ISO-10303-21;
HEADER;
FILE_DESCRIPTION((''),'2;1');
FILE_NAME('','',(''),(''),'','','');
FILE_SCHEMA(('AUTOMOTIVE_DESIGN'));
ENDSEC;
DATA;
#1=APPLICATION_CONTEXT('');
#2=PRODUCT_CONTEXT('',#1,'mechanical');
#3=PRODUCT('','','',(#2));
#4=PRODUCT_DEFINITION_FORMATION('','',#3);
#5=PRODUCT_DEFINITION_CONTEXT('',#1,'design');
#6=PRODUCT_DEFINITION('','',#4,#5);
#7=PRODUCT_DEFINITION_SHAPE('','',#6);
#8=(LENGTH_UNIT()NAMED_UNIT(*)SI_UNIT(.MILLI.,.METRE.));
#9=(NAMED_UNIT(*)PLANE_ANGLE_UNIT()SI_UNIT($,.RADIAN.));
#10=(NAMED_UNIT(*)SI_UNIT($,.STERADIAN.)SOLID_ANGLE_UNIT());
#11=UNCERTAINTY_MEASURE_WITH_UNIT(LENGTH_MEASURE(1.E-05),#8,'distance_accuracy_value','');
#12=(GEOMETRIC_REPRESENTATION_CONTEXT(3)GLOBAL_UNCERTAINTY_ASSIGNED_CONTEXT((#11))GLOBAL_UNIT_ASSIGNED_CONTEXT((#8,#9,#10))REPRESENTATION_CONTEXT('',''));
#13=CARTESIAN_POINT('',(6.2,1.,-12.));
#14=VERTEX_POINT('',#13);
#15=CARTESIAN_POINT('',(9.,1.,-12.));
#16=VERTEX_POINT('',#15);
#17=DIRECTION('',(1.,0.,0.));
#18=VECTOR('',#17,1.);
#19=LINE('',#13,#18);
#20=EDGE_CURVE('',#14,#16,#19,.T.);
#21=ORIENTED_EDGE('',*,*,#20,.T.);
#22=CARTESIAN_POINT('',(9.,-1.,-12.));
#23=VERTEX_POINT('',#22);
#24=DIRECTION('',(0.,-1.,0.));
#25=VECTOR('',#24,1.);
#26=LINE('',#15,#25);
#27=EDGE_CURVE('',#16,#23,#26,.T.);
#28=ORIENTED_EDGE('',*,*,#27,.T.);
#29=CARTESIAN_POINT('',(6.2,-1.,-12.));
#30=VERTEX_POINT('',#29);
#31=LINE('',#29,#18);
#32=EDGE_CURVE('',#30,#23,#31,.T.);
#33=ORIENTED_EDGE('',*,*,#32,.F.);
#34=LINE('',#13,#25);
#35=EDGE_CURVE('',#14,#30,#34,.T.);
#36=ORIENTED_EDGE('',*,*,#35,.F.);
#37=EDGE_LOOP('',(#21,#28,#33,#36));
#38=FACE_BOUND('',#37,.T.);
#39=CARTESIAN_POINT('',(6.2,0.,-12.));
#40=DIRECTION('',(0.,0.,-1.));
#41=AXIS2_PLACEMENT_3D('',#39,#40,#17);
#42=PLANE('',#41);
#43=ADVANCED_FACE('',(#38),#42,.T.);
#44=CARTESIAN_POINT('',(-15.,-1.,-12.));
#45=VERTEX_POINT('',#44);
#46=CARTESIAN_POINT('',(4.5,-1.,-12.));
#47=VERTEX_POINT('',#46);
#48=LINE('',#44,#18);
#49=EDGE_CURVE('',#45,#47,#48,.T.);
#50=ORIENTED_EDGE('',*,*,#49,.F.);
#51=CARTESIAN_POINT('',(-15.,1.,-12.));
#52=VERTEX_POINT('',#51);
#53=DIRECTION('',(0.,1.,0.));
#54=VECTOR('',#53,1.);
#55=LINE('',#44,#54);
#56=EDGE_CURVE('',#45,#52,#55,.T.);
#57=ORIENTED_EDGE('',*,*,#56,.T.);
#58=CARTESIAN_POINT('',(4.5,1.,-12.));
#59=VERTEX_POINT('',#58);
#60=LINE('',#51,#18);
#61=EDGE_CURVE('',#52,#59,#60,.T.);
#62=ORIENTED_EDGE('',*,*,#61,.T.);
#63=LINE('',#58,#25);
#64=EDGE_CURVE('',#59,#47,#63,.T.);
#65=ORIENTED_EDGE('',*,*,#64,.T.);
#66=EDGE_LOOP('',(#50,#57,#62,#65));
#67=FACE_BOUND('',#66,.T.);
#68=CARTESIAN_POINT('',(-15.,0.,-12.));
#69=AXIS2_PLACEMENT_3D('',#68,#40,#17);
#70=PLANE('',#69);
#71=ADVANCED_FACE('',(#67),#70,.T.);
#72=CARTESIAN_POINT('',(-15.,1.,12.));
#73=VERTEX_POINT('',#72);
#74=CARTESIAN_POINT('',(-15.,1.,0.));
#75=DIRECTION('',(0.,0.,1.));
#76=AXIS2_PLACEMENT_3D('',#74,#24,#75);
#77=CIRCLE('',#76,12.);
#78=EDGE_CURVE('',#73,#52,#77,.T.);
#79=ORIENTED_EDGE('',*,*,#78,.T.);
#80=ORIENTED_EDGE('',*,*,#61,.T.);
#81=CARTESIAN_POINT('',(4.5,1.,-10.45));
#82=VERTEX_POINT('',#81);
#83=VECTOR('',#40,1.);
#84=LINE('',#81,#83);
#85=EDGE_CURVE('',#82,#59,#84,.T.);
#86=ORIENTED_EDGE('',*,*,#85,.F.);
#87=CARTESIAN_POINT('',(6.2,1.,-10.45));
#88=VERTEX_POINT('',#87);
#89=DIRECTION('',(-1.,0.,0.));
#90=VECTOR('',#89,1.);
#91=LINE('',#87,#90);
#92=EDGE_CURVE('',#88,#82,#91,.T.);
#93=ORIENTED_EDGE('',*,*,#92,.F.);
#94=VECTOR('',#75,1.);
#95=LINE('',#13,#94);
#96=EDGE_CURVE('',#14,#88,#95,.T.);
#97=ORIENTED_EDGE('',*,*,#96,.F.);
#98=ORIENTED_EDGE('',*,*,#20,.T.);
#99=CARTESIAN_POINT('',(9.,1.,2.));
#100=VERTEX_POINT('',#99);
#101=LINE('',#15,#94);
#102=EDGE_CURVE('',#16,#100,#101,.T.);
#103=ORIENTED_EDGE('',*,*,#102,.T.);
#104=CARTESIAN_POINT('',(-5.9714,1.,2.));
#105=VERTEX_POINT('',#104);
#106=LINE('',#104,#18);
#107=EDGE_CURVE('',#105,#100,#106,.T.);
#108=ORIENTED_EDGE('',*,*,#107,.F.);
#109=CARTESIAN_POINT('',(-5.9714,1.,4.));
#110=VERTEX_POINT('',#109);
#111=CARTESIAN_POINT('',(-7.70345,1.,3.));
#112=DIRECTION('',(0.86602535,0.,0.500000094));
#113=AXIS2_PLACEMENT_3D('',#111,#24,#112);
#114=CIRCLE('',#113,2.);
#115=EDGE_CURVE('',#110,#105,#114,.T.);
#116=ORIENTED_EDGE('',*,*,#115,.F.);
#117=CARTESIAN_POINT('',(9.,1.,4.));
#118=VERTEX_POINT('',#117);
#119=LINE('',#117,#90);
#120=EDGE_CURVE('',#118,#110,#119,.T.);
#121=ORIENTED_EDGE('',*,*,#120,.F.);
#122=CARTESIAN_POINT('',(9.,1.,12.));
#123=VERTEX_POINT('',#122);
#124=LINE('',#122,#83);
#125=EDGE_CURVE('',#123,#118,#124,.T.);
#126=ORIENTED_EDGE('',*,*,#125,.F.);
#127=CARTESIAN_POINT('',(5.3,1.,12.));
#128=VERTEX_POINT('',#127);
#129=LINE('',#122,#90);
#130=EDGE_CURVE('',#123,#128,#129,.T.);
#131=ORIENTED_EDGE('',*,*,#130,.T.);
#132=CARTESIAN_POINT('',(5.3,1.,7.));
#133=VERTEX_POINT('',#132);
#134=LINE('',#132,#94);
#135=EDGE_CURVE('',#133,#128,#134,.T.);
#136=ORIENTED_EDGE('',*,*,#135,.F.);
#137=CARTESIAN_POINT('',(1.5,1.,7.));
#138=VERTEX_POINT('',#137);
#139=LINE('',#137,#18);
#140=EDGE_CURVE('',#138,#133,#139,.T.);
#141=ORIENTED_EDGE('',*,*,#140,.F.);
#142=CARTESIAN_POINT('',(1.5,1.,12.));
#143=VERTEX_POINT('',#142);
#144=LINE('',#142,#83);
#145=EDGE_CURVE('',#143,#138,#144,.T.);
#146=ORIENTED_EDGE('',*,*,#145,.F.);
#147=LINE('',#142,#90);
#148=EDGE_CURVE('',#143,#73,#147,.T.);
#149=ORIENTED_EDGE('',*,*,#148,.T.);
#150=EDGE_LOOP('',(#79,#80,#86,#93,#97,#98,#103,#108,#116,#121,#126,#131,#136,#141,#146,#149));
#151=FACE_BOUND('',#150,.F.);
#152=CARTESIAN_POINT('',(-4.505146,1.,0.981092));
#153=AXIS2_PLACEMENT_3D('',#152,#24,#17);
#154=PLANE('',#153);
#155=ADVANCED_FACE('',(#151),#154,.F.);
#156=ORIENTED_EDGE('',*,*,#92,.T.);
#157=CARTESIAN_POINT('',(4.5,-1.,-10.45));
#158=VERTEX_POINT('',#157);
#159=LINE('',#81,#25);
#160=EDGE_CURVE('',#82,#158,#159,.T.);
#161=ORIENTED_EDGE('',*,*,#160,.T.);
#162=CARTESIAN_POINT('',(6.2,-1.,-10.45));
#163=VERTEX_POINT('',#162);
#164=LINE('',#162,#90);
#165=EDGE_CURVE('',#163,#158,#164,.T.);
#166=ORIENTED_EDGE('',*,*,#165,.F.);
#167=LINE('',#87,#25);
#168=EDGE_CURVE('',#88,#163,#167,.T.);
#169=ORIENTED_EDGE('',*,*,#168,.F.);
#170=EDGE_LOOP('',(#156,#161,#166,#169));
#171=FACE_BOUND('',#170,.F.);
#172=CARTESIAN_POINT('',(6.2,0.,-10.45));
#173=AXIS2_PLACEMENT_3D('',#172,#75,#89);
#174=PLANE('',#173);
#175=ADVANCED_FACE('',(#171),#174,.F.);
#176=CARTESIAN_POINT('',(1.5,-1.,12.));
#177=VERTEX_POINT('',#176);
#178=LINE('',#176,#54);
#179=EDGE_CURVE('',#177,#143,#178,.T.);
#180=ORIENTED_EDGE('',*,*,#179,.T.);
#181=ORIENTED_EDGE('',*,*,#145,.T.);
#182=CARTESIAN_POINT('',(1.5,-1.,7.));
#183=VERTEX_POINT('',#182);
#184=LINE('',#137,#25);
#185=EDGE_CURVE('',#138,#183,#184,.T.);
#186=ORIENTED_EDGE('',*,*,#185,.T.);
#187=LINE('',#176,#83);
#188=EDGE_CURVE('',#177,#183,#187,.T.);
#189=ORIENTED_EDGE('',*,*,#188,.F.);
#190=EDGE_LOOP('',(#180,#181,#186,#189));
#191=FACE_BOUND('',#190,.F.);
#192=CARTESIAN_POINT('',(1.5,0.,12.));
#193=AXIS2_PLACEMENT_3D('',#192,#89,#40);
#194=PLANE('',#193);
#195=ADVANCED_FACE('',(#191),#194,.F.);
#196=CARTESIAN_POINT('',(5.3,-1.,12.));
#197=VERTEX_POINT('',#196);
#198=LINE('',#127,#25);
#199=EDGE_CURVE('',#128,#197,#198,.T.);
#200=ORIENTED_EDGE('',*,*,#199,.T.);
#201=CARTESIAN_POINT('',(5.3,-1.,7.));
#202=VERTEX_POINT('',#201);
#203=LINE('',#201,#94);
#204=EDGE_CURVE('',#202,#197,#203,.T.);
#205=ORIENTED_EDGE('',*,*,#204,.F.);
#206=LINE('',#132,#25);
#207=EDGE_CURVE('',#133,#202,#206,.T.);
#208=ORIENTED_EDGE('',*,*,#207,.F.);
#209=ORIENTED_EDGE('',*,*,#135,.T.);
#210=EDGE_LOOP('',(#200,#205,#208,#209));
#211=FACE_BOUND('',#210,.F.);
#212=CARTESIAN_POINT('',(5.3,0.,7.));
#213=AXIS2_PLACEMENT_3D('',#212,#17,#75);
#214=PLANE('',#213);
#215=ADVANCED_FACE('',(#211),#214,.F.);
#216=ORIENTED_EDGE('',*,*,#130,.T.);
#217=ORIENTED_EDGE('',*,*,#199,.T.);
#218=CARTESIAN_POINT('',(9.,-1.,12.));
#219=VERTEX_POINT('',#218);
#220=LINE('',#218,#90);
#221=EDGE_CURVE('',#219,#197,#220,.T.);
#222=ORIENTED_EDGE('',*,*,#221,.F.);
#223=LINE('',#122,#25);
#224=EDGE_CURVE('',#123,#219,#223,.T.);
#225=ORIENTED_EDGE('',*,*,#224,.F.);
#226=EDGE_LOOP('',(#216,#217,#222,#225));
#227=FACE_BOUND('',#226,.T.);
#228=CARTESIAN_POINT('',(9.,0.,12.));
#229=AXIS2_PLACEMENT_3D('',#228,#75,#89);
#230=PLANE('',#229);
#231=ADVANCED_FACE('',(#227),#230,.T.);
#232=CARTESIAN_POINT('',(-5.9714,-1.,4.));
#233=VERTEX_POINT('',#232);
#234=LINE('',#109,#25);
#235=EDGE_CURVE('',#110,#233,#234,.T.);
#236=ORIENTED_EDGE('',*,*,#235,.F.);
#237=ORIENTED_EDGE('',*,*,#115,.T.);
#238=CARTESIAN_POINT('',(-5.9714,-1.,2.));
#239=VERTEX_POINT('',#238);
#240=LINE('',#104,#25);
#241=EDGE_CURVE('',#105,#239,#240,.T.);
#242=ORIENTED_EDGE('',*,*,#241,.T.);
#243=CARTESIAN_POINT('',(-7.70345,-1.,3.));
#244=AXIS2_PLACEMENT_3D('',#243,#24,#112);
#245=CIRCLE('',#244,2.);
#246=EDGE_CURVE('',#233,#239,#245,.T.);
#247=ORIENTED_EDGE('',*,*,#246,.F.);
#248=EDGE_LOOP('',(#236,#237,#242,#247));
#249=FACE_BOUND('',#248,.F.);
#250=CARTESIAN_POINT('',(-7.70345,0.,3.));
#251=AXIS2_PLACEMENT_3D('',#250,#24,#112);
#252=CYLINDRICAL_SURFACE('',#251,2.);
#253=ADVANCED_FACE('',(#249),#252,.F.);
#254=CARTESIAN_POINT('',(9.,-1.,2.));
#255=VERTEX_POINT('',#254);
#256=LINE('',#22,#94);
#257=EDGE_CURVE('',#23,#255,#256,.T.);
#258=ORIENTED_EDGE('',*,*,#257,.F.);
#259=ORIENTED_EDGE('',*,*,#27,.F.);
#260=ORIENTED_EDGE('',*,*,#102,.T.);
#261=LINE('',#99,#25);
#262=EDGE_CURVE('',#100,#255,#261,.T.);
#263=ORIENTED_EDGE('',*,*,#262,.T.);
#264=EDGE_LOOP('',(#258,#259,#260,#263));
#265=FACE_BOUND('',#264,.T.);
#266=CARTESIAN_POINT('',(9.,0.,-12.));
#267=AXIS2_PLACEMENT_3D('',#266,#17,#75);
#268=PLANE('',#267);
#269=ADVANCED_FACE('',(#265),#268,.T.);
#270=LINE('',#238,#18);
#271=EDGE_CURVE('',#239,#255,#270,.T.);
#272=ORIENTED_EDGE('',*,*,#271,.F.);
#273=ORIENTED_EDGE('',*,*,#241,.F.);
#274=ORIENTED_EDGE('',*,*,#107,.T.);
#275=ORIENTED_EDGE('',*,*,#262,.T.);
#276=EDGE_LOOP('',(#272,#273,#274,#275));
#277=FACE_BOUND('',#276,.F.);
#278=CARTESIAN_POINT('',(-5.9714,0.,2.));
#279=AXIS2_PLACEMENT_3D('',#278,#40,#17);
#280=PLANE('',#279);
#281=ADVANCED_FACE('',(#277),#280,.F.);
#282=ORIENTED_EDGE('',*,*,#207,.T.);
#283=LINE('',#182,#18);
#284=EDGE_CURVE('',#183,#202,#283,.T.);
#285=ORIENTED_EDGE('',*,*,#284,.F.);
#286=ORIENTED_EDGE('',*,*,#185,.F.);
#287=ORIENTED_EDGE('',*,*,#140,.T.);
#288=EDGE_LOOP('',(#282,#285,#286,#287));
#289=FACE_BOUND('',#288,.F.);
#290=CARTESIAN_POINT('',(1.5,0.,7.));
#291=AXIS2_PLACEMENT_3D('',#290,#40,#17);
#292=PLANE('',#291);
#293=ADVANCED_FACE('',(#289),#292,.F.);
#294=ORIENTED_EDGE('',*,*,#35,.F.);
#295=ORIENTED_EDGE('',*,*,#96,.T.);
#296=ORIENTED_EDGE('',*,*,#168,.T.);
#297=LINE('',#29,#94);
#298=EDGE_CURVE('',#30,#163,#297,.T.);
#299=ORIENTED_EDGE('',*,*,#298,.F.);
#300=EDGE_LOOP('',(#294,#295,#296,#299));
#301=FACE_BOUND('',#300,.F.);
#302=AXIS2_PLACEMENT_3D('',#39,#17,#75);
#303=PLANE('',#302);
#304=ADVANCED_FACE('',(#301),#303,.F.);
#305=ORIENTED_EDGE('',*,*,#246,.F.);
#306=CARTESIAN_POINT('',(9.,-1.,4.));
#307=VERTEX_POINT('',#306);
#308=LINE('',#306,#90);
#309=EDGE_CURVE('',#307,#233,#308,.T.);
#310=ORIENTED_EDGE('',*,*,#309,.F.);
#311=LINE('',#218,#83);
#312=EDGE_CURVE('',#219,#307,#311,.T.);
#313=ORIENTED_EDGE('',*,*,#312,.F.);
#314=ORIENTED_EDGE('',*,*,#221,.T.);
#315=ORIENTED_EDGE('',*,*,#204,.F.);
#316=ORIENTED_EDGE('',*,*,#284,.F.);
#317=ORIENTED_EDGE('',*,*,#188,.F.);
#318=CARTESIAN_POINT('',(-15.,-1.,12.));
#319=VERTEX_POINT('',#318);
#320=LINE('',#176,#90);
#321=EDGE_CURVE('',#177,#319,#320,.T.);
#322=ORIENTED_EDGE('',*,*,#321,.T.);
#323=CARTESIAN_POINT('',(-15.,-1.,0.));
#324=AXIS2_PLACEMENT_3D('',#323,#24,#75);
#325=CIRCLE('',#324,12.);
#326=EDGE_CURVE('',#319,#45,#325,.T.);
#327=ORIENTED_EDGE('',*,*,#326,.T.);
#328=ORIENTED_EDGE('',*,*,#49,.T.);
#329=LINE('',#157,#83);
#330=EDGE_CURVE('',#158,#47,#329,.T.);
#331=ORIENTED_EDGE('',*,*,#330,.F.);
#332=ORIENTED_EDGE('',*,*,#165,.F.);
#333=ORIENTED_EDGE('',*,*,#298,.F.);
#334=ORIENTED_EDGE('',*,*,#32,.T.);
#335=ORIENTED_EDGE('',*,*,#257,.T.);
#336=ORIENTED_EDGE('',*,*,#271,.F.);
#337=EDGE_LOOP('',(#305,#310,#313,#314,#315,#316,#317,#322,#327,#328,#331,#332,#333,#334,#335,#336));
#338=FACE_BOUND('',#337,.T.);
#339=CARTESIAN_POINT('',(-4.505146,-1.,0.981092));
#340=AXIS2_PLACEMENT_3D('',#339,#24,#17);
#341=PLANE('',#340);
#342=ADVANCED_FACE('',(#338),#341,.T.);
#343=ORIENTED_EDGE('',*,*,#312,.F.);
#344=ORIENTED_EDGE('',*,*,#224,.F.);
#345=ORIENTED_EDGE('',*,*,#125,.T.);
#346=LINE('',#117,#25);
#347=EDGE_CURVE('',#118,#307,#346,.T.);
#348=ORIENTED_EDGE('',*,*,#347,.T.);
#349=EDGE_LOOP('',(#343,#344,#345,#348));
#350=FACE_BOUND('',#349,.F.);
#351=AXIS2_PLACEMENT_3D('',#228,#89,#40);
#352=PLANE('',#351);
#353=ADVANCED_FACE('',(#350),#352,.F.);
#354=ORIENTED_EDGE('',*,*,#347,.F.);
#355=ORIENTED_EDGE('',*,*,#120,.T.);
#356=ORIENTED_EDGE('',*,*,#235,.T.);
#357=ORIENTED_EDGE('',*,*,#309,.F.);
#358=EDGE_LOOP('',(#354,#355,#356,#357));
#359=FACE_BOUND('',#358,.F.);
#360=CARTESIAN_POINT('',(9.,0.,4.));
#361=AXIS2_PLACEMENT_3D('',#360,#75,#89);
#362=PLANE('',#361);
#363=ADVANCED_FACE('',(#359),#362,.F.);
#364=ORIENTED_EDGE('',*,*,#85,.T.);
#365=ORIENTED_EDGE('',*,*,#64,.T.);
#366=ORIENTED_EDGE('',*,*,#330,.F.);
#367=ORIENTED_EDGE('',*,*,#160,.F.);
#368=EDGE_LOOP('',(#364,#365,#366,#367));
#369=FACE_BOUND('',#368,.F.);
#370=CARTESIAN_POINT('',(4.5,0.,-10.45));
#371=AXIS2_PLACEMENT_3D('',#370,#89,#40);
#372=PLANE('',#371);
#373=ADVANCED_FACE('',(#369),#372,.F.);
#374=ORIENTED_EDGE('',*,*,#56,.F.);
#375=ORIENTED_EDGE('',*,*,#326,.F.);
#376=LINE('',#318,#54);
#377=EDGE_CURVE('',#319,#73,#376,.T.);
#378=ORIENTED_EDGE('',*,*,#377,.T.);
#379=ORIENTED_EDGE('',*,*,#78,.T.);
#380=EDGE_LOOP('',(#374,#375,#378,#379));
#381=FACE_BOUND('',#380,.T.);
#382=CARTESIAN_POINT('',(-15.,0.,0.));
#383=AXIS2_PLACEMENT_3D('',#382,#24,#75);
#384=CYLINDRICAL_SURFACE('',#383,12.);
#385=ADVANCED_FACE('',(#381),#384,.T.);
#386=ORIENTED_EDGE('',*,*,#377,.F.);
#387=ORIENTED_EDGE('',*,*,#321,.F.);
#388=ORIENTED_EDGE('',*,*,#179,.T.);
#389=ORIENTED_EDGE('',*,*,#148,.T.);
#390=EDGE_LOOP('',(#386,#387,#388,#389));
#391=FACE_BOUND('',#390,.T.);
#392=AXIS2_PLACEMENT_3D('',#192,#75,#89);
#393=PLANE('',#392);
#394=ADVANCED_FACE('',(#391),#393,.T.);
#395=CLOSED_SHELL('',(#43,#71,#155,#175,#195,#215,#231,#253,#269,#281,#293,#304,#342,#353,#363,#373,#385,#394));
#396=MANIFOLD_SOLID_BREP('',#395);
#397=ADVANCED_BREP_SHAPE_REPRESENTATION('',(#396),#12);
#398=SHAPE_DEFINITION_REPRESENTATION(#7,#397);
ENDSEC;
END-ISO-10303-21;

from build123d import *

# Parameters (mm, degrees)
PAD_DEPTH = 1


with BuildPart() as part:
    # Sketch → Pad (new body, symmetric)
    with BuildSketch(Plane.XZ):
        with BuildLine():
            Line((-15, -12), (4.5, -12))
            Line((4.5, -10.45), (4.5, -12))
            Line((6.2, -10.45), (4.5, -10.45))
            Line((6.2, -12), (6.2, -10.45))
            Line((6.2, -12), (9, -12))
            Line((9, -12), (9, 2))
            Line((-5.9714, 2), (9, 2))
            ThreePointArc((-5.9714, 4), (-9.70345, 3), (-5.9714, 2))
            Line((9, 4), (-5.9714, 4))
            Line((9, 12), (9, 4))
            Line((9, 12), (5.3, 12))
            Line((5.3, 7), (5.3, 12))
            Line((1.5, 7), (5.3, 7))
            Line((1.5, 12), (1.5, 7))
            Line((1.5, 12), (-15, 12))
            ThreePointArc((-15, 12), (-27, 0), (-15, -12))
        make_face()
    extrude(amount=PAD_DEPTH, both=True)


solid = part.part
